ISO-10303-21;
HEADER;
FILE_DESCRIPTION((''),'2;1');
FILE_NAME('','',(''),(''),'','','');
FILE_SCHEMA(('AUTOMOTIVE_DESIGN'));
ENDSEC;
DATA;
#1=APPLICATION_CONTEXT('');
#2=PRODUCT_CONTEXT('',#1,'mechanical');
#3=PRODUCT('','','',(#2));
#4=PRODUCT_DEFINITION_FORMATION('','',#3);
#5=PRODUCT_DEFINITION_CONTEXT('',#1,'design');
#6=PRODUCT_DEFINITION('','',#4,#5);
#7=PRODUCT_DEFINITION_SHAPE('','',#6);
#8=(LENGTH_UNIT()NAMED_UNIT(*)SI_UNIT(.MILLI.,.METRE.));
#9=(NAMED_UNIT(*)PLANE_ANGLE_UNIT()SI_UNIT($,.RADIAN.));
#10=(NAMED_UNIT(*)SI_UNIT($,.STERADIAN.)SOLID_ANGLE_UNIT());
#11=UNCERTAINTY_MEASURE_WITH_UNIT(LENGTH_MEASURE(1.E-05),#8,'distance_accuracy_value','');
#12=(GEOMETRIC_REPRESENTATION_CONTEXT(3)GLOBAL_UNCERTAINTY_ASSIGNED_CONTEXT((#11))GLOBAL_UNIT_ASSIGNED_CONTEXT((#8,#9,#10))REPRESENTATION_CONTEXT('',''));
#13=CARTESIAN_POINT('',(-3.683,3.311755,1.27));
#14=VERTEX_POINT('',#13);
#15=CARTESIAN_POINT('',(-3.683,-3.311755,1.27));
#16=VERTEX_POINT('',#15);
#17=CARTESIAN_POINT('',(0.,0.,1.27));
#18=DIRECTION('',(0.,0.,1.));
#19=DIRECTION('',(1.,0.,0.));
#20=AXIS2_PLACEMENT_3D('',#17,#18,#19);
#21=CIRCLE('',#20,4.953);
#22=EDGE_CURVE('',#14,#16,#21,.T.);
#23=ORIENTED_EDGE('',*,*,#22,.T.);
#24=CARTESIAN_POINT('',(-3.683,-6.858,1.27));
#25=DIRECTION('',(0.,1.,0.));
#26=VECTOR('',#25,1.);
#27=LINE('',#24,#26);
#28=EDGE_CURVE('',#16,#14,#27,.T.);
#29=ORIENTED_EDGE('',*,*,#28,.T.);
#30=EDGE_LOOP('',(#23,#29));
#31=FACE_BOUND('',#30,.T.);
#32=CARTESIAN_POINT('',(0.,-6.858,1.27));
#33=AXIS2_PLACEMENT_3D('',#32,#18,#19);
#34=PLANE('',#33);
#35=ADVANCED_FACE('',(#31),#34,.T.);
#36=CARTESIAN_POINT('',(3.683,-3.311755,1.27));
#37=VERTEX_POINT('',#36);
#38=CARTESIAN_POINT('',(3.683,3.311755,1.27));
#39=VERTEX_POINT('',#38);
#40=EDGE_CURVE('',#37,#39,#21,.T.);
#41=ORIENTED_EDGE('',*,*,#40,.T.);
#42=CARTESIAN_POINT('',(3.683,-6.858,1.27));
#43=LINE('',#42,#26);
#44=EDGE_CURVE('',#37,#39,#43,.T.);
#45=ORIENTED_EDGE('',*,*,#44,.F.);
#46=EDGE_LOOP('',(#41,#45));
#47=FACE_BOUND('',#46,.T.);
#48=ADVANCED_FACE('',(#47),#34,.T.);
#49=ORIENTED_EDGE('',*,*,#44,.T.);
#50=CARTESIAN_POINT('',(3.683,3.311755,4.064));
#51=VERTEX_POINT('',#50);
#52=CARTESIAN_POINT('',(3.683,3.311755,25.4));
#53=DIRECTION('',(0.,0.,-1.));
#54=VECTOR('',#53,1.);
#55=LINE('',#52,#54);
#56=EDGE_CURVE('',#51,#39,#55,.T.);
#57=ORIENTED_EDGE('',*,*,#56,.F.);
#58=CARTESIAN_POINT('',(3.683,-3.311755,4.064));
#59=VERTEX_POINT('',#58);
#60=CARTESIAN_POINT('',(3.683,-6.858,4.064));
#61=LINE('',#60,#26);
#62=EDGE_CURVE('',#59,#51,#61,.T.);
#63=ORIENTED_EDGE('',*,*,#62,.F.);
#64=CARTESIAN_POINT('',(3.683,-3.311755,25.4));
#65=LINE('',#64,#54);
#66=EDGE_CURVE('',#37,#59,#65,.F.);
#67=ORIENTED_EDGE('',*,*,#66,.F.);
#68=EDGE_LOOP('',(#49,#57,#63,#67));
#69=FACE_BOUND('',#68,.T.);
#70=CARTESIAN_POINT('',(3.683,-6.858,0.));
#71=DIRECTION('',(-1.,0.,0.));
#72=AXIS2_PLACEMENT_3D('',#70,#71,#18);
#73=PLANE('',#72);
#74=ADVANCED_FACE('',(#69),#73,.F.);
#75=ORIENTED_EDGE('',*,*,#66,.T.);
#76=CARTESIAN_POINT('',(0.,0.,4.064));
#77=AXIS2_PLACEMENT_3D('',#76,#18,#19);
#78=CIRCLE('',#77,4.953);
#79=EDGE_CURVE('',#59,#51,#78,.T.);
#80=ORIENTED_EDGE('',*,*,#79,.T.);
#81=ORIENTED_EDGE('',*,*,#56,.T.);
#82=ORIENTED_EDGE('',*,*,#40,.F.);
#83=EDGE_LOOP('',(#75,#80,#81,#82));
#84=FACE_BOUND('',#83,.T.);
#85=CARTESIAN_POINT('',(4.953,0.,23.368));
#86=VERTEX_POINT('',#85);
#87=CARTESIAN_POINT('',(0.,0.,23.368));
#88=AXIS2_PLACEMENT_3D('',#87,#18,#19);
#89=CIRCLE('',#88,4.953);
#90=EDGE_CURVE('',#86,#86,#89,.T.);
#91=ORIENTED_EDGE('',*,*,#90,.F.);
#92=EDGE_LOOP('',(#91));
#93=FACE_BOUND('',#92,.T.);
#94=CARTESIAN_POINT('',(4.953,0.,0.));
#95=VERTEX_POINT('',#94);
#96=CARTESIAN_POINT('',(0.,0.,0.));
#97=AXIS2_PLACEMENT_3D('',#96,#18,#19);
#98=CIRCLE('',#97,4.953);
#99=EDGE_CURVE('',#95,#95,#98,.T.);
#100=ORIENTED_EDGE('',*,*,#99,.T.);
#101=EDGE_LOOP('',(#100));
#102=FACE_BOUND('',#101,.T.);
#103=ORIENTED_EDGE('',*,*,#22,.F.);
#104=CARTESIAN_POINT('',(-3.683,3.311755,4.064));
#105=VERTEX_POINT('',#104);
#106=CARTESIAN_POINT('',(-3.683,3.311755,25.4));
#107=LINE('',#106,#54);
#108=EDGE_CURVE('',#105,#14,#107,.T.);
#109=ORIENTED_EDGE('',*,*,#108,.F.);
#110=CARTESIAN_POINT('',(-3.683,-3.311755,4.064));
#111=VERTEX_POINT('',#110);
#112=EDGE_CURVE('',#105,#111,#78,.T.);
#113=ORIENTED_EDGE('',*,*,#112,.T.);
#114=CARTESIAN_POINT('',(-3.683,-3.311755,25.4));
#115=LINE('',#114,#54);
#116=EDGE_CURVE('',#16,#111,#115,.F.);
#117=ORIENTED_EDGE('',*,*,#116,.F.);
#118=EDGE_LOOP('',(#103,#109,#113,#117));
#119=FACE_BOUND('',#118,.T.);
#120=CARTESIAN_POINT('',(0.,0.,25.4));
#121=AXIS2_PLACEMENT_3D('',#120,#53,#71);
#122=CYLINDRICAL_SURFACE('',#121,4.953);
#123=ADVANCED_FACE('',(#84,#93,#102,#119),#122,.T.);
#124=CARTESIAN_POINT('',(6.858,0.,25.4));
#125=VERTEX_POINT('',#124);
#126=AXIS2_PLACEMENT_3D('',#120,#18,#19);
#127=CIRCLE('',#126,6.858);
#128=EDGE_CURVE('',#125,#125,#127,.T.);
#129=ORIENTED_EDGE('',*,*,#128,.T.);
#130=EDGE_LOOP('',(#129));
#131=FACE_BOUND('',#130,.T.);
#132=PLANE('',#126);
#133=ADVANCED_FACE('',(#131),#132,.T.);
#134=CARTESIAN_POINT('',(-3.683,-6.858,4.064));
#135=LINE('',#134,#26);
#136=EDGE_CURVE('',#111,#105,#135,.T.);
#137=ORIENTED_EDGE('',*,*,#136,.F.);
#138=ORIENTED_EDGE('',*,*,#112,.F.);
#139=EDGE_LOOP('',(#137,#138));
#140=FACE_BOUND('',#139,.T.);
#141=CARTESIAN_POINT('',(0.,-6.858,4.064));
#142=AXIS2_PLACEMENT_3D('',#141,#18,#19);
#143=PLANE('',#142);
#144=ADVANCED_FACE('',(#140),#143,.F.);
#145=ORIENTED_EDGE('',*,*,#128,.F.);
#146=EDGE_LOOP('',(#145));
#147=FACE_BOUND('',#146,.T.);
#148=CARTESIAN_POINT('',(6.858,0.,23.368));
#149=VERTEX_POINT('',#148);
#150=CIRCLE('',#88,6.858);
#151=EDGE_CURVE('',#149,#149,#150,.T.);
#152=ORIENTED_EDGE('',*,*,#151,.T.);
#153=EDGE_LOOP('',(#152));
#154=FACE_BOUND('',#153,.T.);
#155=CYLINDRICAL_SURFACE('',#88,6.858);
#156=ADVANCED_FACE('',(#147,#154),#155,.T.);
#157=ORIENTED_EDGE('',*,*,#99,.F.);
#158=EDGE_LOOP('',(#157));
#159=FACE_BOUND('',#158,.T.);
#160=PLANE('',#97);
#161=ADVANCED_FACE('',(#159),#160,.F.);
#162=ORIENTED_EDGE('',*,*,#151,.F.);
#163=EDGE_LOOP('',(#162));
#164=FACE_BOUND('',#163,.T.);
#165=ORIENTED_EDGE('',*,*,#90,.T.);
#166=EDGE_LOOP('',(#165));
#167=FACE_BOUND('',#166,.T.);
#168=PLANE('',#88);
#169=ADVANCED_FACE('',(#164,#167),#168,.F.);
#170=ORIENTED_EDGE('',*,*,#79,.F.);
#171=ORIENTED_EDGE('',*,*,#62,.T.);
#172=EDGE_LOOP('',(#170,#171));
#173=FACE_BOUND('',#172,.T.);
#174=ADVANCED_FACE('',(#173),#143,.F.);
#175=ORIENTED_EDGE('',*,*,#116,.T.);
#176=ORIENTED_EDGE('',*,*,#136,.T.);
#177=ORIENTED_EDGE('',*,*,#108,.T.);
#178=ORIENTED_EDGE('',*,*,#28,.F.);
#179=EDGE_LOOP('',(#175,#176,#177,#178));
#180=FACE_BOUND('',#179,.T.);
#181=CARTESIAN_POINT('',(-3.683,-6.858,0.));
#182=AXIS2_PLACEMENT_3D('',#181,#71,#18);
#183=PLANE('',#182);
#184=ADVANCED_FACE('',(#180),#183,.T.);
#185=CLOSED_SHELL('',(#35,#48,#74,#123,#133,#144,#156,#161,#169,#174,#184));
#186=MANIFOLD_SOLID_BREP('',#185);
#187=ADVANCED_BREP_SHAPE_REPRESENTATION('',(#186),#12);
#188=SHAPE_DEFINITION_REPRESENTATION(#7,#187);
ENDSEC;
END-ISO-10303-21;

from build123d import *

# Parameters (mm, degrees)
SKETCH1_R               = 4.953
BOSS_EXTRUDE1_DEPTH     = 25.4
SKETCH2_R               = 6.858
BOSS_EXTRUDE2_DEPTH     = 2.032
CUT_EXTRUDE1_DEPTH      = 28.188680145
CUT_EXTRUDE1_DEPTH_BACK = 28.188680145
SKETCH3_W               = 1.27
SKETCH3_H               = 2.794


with BuildPart() as part:
    # Sketch1 → Boss-Extrude1 (new body)
    with BuildSketch(Plane.XY):
        Circle(SKETCH1_R)
    extrude(amount=BOSS_EXTRUDE1_DEPTH)

    # Sketch2 → Boss-Extrude2 (add)
    with BuildSketch(Plane.XY.offset(25.4)):
        Circle(SKETCH2_R)
    extrude(amount=-BOSS_EXTRUDE2_DEPTH)

    # Sketch3 → Cut-Extrude1 (cut, two sides: drawn at the far end of the back side and taken through both)
    with BuildSketch(Plane(origin=(0, 0, 0), x_dir=(1, 0, 0), z_dir=(0, 1, 0)).offset(-CUT_EXTRUDE1_DEPTH_BACK)):
        with Locations((4.318, -2.667)):
            Rectangle(SKETCH3_W, SKETCH3_H)
        with Locations((-4.318, -2.667)):
            Rectangle(SKETCH3_W, SKETCH3_H)
    extrude(amount=CUT_EXTRUDE1_DEPTH + CUT_EXTRUDE1_DEPTH_BACK, mode=Mode.SUBTRACT)


solid = part.part
